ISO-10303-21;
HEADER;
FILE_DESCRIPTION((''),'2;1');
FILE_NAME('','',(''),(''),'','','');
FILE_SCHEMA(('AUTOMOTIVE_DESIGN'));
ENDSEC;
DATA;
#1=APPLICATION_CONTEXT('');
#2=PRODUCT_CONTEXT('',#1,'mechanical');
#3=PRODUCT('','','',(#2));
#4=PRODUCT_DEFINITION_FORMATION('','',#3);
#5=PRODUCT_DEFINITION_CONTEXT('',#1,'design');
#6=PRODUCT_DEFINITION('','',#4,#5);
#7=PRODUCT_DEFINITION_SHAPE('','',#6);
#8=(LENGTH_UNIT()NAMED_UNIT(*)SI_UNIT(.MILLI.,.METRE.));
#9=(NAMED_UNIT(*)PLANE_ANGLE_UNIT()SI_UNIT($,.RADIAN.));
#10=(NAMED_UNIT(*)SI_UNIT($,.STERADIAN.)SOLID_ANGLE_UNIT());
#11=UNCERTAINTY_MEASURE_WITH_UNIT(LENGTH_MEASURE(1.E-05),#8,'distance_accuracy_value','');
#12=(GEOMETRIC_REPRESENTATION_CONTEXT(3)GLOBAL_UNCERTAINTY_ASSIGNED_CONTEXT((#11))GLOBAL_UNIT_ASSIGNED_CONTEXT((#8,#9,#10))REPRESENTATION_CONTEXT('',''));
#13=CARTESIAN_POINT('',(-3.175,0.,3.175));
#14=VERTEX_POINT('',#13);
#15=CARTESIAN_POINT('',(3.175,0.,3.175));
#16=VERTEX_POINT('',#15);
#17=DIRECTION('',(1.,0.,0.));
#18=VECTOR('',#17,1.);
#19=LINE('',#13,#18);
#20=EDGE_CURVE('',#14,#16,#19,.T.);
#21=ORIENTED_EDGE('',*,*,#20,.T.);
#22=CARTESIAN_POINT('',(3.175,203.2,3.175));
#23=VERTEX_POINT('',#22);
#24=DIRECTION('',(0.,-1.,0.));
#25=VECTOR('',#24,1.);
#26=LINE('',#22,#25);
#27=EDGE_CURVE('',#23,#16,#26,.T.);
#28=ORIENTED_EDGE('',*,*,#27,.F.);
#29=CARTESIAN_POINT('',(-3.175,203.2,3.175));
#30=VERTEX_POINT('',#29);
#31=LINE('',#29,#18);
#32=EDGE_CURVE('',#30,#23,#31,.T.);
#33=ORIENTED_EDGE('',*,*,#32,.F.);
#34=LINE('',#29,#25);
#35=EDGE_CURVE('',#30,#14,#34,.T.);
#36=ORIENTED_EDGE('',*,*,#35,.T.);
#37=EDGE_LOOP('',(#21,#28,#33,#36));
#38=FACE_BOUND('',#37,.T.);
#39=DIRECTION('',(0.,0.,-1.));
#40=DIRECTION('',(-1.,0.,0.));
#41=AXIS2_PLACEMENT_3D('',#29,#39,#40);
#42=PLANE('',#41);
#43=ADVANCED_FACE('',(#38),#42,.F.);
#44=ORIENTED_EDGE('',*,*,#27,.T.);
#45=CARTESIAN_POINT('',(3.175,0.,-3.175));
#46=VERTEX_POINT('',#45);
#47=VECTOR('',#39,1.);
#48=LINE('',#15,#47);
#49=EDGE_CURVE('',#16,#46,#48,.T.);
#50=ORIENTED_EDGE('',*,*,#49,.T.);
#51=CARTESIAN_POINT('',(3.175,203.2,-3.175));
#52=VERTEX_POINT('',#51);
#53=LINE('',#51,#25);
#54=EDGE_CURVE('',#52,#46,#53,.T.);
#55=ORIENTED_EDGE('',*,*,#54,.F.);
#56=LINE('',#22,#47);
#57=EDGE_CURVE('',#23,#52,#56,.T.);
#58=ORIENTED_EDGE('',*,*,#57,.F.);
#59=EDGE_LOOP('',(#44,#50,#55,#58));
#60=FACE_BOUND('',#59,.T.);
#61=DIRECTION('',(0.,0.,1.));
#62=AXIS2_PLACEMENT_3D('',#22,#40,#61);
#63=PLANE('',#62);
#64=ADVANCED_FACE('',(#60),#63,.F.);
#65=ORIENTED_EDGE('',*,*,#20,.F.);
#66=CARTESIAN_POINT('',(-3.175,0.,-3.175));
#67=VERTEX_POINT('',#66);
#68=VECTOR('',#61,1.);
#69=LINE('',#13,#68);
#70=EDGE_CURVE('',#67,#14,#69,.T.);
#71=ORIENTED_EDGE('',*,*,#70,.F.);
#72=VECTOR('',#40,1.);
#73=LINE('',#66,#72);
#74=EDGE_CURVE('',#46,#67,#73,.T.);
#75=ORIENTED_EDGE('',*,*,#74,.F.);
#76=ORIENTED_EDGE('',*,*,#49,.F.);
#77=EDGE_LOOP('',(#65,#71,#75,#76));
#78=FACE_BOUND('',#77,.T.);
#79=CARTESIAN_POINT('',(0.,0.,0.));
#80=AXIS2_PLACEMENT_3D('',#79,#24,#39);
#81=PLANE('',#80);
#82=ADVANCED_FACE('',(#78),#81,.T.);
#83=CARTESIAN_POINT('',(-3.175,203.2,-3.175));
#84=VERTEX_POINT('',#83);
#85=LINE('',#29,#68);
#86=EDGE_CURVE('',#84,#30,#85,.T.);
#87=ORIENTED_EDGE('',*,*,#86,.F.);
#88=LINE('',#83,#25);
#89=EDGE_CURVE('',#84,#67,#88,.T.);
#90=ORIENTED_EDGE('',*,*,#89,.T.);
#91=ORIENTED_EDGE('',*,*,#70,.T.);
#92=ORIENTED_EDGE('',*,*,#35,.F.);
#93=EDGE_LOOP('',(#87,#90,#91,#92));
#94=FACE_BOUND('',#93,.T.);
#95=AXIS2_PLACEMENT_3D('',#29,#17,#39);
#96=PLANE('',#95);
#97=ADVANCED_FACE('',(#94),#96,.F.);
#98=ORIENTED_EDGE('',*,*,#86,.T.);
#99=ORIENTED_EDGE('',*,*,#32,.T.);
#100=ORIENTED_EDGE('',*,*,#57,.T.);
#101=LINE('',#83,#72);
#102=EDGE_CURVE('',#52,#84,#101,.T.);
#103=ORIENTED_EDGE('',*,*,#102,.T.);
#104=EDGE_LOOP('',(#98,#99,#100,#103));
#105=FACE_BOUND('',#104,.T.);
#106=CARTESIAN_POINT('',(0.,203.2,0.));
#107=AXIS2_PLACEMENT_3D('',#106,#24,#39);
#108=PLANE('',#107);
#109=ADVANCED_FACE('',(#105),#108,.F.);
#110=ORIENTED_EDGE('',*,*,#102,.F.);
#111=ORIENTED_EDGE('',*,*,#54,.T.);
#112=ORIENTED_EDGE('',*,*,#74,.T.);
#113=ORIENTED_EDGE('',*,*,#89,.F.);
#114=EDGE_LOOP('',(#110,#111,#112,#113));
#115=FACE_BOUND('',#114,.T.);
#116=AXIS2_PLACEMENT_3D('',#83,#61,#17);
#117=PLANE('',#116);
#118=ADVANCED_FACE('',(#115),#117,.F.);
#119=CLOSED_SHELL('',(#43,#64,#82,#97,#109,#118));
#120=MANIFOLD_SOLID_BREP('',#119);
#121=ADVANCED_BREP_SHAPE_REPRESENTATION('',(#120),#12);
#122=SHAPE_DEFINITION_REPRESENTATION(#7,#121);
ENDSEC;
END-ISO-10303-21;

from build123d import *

# Parameters (mm, degrees)
SKETCH1_W           = 6.35
SKETCH1_H           = 6.35
BOSS_EXTRUDE1_DEPTH = 203.2


with BuildPart() as part:
    # Sketch1 → Boss-Extrude1 (new body)
    with BuildSketch(Plane(origin=(0, 0, 0), x_dir=(1, 0, 0), z_dir=(0, 1, 0))):
        Rectangle(SKETCH1_W, SKETCH1_H)
    extrude(amount=BOSS_EXTRUDE1_DEPTH)


solid = part.part
